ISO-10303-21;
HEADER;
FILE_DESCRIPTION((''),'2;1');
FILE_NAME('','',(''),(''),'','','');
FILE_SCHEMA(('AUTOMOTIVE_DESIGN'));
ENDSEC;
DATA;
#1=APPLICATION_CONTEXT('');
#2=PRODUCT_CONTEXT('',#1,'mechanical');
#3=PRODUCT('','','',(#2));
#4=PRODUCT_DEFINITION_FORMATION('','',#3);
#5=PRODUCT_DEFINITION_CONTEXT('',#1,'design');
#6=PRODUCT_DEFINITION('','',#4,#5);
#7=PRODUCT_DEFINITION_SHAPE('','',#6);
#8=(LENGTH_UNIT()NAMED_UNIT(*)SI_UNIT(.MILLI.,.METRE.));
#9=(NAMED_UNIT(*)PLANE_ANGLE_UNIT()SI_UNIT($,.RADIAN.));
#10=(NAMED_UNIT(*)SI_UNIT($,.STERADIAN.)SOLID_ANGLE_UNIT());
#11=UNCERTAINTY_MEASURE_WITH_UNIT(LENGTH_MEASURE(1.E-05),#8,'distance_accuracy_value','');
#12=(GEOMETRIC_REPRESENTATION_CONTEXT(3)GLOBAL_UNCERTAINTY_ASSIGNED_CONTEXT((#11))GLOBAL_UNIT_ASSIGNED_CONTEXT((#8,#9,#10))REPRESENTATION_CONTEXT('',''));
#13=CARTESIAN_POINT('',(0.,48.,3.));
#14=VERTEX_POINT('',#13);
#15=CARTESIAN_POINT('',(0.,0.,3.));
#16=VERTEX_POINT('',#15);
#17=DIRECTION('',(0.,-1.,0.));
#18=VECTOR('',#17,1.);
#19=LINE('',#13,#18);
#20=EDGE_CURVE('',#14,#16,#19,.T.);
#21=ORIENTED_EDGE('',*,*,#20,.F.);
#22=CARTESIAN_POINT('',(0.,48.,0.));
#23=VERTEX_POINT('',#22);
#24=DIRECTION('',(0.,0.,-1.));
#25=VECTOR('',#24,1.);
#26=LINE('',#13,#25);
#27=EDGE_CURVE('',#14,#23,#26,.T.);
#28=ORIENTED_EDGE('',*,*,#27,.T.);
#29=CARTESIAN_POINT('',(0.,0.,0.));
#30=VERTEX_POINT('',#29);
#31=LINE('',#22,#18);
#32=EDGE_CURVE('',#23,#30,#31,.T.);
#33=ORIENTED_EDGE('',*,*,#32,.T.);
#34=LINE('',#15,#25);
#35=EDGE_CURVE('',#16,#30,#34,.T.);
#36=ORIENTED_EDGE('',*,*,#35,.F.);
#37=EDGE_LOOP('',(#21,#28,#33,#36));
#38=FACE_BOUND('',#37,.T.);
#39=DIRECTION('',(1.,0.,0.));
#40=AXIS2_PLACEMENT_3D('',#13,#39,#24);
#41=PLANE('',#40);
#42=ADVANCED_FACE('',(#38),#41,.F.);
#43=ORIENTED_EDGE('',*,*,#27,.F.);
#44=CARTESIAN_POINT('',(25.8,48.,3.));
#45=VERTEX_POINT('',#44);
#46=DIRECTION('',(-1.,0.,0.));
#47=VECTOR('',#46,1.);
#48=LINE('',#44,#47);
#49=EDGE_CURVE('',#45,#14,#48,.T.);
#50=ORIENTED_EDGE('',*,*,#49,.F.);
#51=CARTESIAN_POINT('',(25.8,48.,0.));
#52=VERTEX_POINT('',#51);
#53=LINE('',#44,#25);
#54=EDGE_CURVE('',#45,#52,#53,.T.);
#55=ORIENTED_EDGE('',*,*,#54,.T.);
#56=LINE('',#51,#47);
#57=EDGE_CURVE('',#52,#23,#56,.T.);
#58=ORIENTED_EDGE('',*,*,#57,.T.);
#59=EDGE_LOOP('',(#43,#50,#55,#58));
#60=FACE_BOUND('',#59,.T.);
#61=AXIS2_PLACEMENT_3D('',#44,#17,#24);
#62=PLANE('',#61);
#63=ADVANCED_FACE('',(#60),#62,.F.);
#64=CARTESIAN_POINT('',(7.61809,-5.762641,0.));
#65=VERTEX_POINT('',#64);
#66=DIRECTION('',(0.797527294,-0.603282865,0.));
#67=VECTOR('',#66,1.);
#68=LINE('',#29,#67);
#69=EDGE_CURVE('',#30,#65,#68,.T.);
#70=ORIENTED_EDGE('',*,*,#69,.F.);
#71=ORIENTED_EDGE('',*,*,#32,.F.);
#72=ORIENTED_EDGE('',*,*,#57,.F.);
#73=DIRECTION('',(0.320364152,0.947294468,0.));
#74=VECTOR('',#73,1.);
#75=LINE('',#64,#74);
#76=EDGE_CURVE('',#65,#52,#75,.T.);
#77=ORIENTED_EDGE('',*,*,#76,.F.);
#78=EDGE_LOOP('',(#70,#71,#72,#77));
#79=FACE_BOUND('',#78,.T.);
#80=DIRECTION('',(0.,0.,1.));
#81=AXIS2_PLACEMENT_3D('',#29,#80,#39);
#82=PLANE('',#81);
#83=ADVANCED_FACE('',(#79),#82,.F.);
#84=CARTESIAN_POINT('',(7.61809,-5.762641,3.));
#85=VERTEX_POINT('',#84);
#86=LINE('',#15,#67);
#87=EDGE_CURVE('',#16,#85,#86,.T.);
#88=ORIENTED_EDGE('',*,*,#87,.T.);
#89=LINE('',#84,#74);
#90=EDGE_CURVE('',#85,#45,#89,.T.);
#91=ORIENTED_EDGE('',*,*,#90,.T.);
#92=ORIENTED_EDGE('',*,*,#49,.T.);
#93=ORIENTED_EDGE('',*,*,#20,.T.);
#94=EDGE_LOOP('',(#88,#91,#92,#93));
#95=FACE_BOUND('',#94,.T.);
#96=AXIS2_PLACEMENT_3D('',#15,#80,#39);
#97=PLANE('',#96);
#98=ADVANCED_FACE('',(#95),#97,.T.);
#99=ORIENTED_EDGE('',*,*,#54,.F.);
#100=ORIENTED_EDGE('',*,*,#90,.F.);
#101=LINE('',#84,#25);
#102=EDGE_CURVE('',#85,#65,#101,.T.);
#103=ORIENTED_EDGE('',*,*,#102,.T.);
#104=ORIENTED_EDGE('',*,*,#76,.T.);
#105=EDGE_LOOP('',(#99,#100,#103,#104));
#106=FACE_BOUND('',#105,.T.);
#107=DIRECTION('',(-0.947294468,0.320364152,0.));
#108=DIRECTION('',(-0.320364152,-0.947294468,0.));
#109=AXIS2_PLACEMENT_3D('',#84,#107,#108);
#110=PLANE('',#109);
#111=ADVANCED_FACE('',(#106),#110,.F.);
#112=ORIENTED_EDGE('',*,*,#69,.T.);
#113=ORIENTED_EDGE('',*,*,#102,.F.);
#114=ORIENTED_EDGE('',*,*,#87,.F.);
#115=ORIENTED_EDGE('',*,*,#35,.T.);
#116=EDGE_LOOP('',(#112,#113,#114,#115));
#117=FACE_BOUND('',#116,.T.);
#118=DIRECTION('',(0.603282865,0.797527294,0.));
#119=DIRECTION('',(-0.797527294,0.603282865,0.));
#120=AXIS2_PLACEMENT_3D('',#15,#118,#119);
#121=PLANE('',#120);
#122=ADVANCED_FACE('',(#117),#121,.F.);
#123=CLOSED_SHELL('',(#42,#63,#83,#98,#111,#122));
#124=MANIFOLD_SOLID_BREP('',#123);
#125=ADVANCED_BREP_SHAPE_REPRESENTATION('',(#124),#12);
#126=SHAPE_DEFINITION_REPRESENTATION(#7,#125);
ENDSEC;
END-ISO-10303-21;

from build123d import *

# Parameters (mm, degrees)
RESSALTO_EXTRUS_O1_DEPTH = 3


with BuildPart() as part:
    # Esboço1 → Ressalto-extrusão1 (new body)
    with BuildSketch(Plane.XY):
        Polygon((7.618089984, -5.762640579), (25.8, 48), (0, 48), (0, 0), align=None)
    extrude(amount=RESSALTO_EXTRUS_O1_DEPTH)


solid = part.part
